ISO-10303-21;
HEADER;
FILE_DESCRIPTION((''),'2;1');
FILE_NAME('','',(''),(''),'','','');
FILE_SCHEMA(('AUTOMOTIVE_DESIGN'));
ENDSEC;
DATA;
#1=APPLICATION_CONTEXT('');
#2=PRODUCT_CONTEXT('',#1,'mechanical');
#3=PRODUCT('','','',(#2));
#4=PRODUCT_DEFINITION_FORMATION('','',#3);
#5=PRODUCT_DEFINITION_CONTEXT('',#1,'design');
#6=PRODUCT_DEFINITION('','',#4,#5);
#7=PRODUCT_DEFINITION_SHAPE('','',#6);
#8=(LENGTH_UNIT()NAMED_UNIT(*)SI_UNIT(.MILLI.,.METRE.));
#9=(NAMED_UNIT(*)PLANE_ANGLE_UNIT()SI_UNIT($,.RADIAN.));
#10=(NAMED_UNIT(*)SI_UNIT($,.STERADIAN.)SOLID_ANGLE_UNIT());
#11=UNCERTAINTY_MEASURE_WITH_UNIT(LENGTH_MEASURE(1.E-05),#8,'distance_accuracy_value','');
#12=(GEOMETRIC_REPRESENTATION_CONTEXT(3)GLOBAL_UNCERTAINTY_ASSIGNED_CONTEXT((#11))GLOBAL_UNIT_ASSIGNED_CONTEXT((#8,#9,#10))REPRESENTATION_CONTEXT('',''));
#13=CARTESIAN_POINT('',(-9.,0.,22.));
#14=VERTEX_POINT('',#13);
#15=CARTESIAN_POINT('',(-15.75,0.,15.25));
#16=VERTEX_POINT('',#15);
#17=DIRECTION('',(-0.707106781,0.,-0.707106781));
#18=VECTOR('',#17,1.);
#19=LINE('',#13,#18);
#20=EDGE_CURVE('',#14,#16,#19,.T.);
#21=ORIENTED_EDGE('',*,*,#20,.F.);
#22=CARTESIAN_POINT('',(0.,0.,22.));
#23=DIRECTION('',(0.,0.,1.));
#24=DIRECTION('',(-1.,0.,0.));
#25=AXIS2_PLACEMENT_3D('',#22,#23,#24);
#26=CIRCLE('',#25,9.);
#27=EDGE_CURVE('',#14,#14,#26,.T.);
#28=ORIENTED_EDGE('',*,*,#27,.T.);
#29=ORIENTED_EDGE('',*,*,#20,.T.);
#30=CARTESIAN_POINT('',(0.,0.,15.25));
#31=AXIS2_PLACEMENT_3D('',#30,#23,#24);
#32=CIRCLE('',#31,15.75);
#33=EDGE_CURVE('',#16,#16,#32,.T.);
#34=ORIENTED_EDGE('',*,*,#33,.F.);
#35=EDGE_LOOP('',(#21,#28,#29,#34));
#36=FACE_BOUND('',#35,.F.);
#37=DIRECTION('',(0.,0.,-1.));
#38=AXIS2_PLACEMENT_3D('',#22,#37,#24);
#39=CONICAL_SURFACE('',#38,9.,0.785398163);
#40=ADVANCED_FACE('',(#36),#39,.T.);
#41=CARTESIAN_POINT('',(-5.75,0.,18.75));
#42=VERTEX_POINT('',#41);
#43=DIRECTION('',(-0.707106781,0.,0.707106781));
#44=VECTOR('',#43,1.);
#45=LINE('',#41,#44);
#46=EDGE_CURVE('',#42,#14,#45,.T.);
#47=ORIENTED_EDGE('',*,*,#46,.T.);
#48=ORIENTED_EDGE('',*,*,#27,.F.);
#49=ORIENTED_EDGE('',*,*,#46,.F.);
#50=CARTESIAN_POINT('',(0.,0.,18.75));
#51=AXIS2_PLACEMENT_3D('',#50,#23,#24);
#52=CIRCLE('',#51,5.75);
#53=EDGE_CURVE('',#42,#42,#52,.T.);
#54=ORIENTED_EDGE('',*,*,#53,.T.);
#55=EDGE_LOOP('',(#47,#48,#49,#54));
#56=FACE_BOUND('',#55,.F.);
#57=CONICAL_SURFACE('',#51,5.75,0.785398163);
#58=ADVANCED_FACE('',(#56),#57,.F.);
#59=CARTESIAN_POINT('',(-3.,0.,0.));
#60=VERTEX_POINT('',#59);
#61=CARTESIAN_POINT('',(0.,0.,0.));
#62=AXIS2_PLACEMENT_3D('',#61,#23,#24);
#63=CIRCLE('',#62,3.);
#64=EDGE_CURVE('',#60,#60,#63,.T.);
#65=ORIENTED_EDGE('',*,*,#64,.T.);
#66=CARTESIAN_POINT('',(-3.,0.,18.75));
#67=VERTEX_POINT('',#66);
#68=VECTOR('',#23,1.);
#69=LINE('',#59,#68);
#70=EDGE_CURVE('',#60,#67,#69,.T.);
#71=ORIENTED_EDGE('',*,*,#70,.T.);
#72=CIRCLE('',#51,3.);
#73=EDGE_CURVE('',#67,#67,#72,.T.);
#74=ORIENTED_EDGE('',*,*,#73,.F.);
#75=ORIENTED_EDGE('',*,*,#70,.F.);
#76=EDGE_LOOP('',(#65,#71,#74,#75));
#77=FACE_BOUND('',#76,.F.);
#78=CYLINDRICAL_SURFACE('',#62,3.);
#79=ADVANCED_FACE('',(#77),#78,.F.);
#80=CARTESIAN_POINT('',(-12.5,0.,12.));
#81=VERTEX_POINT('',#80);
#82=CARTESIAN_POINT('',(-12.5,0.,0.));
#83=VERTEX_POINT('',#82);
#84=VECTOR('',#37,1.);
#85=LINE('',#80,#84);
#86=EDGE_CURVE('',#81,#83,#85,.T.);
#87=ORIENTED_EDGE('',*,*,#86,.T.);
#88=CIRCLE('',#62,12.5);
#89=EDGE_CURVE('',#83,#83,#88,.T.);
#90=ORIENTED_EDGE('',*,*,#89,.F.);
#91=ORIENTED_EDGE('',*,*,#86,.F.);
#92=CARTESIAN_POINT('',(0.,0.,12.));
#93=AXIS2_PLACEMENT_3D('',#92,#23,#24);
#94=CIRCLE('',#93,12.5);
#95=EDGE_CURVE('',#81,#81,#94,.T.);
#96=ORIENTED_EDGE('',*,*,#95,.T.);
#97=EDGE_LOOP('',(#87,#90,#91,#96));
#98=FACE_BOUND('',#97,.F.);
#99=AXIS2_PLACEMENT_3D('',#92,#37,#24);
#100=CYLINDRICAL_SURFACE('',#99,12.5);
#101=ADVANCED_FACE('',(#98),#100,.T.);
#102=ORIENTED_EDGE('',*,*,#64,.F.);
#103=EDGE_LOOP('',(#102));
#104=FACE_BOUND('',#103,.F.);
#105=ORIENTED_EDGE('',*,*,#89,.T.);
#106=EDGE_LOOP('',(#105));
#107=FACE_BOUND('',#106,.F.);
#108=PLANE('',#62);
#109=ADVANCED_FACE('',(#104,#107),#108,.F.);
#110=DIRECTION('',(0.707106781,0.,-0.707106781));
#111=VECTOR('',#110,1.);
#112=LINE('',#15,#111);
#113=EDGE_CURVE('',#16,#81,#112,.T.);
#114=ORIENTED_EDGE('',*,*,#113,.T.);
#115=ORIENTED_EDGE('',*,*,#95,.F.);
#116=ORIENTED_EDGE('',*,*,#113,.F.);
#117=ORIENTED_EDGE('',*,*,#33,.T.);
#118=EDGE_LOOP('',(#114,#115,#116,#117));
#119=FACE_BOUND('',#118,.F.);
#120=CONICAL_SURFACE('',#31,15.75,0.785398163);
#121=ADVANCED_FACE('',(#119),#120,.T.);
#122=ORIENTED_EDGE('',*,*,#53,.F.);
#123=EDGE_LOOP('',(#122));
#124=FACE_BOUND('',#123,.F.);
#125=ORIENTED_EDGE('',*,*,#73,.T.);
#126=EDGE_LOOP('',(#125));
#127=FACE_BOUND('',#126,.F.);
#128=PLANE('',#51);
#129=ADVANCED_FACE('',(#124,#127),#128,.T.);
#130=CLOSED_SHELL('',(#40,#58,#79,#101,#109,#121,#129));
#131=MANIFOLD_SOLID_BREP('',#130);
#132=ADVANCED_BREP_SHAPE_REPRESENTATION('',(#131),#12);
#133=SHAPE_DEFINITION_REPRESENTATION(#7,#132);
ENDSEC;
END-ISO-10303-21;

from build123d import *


with BuildPart() as part:
    # Sketch → Revolution (revolve)
    with BuildSketch(Plane.XZ):
        Polygon((-3, 18.75), (-5.75, 18.75), (-9, 22), (-15.75, 15.25), (-12.5, 12), (-12.5, 0), (-3, 0), align=None)
    revolve(axis=Axis((0, 0, 0), (0, 0, 1)))


solid = part.part
